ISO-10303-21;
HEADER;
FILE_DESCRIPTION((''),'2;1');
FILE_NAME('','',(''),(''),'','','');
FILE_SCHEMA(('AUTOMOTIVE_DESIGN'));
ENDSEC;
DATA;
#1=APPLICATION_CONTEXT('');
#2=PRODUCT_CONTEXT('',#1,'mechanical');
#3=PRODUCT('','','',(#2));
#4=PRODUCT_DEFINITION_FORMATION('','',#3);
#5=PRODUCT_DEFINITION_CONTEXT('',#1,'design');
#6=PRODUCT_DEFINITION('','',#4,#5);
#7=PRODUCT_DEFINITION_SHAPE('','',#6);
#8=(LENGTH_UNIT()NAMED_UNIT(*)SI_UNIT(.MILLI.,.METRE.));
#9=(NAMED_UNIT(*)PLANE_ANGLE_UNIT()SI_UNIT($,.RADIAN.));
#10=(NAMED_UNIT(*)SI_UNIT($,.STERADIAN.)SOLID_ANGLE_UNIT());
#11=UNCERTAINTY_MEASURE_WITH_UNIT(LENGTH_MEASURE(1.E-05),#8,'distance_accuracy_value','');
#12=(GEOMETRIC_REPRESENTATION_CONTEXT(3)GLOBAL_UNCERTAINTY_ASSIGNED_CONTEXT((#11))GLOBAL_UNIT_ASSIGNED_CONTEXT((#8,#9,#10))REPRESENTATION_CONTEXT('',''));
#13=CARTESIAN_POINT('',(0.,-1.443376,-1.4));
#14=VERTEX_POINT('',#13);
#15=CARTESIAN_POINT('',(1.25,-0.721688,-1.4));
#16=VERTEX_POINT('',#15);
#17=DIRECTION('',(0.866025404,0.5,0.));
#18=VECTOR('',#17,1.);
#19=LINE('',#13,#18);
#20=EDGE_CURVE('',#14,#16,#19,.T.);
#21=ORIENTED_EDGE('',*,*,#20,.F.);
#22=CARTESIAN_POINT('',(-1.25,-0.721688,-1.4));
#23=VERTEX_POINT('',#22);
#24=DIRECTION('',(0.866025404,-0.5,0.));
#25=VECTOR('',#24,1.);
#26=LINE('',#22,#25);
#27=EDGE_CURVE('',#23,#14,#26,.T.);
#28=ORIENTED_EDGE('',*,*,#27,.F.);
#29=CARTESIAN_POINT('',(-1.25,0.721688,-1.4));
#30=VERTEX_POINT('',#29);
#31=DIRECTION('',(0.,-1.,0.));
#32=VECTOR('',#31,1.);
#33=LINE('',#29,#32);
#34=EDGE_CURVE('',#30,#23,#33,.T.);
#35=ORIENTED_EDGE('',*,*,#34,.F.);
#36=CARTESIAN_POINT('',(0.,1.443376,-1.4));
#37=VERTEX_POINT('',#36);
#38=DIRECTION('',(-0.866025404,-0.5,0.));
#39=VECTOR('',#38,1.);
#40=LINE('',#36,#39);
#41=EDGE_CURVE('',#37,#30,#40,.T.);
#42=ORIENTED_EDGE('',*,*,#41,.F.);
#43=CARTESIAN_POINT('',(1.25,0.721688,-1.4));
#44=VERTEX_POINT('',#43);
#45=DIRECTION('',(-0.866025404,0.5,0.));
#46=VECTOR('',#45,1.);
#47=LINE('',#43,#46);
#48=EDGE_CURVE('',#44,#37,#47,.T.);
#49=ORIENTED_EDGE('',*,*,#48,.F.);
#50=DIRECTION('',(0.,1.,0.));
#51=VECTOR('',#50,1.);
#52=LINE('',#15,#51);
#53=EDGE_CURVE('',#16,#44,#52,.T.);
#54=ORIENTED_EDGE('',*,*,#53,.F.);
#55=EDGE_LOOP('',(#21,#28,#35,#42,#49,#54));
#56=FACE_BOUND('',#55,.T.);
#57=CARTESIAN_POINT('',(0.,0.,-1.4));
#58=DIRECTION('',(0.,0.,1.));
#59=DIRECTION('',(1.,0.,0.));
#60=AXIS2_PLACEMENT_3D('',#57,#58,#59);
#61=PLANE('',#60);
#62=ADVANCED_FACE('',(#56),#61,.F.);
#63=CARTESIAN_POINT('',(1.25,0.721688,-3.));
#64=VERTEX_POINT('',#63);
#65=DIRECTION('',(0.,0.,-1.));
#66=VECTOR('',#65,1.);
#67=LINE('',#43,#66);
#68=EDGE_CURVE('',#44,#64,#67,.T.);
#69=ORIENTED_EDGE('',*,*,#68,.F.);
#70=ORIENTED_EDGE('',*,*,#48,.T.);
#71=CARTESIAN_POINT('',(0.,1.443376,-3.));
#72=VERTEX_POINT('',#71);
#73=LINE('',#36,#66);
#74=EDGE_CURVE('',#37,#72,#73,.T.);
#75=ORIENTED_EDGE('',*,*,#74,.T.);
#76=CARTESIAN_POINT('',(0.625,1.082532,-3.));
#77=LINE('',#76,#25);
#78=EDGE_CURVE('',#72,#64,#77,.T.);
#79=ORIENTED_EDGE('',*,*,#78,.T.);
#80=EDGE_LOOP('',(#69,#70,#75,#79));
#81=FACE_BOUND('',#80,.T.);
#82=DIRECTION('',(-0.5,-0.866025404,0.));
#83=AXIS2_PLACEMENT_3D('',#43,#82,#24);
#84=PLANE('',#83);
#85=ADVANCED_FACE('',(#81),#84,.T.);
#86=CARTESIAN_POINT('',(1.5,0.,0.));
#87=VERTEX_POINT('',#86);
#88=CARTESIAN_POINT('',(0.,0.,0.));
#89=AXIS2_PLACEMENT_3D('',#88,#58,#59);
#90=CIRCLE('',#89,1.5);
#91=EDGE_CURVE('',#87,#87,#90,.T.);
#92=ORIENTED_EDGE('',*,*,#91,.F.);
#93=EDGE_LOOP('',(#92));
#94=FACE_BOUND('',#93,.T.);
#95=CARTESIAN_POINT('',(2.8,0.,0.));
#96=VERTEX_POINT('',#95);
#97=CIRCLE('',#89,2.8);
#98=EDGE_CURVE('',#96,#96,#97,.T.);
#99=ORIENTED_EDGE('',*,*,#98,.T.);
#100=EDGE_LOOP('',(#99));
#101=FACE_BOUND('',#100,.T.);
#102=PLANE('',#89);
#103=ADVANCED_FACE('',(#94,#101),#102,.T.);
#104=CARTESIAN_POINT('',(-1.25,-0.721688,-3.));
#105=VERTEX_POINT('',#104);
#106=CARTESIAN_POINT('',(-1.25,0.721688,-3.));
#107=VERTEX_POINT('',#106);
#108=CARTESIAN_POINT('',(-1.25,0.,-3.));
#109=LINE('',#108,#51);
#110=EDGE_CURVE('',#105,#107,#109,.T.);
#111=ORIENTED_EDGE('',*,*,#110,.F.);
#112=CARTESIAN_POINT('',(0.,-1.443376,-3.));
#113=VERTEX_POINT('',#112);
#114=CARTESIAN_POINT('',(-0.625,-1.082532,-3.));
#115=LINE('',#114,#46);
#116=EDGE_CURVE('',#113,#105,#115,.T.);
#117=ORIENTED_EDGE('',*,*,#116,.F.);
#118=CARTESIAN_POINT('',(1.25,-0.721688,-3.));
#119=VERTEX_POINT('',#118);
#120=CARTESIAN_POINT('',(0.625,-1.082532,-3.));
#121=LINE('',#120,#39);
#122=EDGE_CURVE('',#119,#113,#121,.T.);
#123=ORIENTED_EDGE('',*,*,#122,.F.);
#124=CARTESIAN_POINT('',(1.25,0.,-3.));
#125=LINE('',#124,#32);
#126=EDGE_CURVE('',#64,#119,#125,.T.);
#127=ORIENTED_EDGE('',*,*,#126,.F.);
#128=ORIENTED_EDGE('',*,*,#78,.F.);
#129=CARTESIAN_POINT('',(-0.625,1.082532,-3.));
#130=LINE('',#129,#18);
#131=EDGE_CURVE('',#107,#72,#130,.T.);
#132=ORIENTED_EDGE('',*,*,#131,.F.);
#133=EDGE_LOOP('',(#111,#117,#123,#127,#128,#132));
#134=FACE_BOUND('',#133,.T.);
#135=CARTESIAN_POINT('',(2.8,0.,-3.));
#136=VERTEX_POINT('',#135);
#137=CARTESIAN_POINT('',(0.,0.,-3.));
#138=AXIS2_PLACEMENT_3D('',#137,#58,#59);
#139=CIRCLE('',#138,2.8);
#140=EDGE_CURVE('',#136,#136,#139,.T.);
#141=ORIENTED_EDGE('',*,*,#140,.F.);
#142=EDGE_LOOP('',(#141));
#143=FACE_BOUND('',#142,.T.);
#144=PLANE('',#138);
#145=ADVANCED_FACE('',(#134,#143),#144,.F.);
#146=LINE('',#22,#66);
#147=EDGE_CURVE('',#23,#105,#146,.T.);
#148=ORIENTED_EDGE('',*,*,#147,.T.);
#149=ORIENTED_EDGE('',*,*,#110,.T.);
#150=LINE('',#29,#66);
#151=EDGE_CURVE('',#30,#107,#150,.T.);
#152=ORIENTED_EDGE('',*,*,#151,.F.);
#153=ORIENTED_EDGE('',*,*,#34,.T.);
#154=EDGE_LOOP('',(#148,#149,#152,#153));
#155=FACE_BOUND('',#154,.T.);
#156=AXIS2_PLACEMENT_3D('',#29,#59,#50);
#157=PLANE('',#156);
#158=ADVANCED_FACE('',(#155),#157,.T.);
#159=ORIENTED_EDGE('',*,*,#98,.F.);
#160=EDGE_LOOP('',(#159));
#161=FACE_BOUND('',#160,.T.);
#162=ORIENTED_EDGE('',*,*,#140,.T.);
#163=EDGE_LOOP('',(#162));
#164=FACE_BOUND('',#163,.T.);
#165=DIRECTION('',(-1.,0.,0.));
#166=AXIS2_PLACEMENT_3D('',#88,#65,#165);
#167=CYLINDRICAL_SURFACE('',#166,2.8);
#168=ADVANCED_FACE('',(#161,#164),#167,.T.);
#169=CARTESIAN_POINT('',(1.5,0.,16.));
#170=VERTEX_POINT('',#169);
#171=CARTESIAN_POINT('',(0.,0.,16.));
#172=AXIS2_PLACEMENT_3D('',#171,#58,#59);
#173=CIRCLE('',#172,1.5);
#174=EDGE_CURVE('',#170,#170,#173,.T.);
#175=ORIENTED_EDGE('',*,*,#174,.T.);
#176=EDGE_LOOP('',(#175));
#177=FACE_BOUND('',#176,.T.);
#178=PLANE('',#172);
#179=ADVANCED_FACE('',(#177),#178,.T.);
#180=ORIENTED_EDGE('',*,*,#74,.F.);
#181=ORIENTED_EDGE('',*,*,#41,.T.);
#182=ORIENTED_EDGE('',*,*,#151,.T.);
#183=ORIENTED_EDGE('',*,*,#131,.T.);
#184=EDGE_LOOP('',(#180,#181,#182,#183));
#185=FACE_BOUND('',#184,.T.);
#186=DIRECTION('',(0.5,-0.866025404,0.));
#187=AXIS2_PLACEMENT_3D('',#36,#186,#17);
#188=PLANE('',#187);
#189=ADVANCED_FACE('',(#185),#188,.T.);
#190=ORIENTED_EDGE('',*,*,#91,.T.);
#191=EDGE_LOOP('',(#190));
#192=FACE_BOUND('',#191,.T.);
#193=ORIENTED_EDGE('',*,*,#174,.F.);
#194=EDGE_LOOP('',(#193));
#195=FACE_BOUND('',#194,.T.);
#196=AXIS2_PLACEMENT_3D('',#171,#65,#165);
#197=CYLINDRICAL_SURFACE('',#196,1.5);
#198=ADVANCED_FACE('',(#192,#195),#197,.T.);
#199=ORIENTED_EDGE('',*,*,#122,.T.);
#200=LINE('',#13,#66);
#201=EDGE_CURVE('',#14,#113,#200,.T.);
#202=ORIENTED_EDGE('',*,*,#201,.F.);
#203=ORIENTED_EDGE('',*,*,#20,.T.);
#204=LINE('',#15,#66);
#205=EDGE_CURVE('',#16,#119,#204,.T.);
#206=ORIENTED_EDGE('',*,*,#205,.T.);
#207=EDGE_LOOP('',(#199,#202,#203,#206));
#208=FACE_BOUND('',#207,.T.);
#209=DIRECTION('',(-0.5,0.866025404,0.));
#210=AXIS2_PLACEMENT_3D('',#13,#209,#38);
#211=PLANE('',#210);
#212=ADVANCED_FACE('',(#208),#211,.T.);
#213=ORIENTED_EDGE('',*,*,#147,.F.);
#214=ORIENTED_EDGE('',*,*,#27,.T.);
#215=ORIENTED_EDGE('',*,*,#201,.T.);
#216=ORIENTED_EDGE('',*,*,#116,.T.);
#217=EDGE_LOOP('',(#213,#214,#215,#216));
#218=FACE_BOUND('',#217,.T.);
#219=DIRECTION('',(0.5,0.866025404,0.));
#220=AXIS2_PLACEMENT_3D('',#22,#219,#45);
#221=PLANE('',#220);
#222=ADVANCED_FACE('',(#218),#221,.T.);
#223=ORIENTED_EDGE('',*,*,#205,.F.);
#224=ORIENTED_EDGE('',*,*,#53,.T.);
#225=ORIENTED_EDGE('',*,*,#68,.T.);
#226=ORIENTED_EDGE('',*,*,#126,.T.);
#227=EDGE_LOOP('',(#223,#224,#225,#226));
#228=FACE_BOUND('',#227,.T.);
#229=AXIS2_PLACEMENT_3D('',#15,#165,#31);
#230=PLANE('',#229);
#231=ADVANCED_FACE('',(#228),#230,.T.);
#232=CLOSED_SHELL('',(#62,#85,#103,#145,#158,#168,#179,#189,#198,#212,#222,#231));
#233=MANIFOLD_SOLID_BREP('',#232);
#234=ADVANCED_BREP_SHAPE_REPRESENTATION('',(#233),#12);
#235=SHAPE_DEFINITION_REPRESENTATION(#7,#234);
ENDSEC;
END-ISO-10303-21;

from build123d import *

# Parameters (mm, degrees)
HEAD_START       = -3
SKETCH1_R        = 2.8
HEAD_DEPTH       = 3
SKETCH2_R        = 1.5
SHANK_DEPTH      = 16
HEX_START        = -3.2
HEX_SOCKET_DEPTH = 1.8


with BuildPart() as part:
    # Sketch1 → Head (new body)
    with BuildSketch(Plane.XY.offset(HEAD_START)):
        Circle(SKETCH1_R)
    extrude(amount=HEAD_DEPTH)

    # Sketch2 → Shank (add)
    with BuildSketch(Plane.XY):
        Circle(SKETCH2_R)
    extrude(amount=SHANK_DEPTH)

    # Sketch3 → Hex socket (cut)
    with BuildSketch(Plane.XY.offset(HEX_START)):
        Polygon((1.25, 0.721687836), (0, 1.443375673), (-1.25, 0.721687836), (-1.25, -0.721687836), (0, -1.443375673), (1.25, -0.721687836), align=None)
    extrude(amount=HEX_SOCKET_DEPTH, mode=Mode.SUBTRACT)


solid = part.part
